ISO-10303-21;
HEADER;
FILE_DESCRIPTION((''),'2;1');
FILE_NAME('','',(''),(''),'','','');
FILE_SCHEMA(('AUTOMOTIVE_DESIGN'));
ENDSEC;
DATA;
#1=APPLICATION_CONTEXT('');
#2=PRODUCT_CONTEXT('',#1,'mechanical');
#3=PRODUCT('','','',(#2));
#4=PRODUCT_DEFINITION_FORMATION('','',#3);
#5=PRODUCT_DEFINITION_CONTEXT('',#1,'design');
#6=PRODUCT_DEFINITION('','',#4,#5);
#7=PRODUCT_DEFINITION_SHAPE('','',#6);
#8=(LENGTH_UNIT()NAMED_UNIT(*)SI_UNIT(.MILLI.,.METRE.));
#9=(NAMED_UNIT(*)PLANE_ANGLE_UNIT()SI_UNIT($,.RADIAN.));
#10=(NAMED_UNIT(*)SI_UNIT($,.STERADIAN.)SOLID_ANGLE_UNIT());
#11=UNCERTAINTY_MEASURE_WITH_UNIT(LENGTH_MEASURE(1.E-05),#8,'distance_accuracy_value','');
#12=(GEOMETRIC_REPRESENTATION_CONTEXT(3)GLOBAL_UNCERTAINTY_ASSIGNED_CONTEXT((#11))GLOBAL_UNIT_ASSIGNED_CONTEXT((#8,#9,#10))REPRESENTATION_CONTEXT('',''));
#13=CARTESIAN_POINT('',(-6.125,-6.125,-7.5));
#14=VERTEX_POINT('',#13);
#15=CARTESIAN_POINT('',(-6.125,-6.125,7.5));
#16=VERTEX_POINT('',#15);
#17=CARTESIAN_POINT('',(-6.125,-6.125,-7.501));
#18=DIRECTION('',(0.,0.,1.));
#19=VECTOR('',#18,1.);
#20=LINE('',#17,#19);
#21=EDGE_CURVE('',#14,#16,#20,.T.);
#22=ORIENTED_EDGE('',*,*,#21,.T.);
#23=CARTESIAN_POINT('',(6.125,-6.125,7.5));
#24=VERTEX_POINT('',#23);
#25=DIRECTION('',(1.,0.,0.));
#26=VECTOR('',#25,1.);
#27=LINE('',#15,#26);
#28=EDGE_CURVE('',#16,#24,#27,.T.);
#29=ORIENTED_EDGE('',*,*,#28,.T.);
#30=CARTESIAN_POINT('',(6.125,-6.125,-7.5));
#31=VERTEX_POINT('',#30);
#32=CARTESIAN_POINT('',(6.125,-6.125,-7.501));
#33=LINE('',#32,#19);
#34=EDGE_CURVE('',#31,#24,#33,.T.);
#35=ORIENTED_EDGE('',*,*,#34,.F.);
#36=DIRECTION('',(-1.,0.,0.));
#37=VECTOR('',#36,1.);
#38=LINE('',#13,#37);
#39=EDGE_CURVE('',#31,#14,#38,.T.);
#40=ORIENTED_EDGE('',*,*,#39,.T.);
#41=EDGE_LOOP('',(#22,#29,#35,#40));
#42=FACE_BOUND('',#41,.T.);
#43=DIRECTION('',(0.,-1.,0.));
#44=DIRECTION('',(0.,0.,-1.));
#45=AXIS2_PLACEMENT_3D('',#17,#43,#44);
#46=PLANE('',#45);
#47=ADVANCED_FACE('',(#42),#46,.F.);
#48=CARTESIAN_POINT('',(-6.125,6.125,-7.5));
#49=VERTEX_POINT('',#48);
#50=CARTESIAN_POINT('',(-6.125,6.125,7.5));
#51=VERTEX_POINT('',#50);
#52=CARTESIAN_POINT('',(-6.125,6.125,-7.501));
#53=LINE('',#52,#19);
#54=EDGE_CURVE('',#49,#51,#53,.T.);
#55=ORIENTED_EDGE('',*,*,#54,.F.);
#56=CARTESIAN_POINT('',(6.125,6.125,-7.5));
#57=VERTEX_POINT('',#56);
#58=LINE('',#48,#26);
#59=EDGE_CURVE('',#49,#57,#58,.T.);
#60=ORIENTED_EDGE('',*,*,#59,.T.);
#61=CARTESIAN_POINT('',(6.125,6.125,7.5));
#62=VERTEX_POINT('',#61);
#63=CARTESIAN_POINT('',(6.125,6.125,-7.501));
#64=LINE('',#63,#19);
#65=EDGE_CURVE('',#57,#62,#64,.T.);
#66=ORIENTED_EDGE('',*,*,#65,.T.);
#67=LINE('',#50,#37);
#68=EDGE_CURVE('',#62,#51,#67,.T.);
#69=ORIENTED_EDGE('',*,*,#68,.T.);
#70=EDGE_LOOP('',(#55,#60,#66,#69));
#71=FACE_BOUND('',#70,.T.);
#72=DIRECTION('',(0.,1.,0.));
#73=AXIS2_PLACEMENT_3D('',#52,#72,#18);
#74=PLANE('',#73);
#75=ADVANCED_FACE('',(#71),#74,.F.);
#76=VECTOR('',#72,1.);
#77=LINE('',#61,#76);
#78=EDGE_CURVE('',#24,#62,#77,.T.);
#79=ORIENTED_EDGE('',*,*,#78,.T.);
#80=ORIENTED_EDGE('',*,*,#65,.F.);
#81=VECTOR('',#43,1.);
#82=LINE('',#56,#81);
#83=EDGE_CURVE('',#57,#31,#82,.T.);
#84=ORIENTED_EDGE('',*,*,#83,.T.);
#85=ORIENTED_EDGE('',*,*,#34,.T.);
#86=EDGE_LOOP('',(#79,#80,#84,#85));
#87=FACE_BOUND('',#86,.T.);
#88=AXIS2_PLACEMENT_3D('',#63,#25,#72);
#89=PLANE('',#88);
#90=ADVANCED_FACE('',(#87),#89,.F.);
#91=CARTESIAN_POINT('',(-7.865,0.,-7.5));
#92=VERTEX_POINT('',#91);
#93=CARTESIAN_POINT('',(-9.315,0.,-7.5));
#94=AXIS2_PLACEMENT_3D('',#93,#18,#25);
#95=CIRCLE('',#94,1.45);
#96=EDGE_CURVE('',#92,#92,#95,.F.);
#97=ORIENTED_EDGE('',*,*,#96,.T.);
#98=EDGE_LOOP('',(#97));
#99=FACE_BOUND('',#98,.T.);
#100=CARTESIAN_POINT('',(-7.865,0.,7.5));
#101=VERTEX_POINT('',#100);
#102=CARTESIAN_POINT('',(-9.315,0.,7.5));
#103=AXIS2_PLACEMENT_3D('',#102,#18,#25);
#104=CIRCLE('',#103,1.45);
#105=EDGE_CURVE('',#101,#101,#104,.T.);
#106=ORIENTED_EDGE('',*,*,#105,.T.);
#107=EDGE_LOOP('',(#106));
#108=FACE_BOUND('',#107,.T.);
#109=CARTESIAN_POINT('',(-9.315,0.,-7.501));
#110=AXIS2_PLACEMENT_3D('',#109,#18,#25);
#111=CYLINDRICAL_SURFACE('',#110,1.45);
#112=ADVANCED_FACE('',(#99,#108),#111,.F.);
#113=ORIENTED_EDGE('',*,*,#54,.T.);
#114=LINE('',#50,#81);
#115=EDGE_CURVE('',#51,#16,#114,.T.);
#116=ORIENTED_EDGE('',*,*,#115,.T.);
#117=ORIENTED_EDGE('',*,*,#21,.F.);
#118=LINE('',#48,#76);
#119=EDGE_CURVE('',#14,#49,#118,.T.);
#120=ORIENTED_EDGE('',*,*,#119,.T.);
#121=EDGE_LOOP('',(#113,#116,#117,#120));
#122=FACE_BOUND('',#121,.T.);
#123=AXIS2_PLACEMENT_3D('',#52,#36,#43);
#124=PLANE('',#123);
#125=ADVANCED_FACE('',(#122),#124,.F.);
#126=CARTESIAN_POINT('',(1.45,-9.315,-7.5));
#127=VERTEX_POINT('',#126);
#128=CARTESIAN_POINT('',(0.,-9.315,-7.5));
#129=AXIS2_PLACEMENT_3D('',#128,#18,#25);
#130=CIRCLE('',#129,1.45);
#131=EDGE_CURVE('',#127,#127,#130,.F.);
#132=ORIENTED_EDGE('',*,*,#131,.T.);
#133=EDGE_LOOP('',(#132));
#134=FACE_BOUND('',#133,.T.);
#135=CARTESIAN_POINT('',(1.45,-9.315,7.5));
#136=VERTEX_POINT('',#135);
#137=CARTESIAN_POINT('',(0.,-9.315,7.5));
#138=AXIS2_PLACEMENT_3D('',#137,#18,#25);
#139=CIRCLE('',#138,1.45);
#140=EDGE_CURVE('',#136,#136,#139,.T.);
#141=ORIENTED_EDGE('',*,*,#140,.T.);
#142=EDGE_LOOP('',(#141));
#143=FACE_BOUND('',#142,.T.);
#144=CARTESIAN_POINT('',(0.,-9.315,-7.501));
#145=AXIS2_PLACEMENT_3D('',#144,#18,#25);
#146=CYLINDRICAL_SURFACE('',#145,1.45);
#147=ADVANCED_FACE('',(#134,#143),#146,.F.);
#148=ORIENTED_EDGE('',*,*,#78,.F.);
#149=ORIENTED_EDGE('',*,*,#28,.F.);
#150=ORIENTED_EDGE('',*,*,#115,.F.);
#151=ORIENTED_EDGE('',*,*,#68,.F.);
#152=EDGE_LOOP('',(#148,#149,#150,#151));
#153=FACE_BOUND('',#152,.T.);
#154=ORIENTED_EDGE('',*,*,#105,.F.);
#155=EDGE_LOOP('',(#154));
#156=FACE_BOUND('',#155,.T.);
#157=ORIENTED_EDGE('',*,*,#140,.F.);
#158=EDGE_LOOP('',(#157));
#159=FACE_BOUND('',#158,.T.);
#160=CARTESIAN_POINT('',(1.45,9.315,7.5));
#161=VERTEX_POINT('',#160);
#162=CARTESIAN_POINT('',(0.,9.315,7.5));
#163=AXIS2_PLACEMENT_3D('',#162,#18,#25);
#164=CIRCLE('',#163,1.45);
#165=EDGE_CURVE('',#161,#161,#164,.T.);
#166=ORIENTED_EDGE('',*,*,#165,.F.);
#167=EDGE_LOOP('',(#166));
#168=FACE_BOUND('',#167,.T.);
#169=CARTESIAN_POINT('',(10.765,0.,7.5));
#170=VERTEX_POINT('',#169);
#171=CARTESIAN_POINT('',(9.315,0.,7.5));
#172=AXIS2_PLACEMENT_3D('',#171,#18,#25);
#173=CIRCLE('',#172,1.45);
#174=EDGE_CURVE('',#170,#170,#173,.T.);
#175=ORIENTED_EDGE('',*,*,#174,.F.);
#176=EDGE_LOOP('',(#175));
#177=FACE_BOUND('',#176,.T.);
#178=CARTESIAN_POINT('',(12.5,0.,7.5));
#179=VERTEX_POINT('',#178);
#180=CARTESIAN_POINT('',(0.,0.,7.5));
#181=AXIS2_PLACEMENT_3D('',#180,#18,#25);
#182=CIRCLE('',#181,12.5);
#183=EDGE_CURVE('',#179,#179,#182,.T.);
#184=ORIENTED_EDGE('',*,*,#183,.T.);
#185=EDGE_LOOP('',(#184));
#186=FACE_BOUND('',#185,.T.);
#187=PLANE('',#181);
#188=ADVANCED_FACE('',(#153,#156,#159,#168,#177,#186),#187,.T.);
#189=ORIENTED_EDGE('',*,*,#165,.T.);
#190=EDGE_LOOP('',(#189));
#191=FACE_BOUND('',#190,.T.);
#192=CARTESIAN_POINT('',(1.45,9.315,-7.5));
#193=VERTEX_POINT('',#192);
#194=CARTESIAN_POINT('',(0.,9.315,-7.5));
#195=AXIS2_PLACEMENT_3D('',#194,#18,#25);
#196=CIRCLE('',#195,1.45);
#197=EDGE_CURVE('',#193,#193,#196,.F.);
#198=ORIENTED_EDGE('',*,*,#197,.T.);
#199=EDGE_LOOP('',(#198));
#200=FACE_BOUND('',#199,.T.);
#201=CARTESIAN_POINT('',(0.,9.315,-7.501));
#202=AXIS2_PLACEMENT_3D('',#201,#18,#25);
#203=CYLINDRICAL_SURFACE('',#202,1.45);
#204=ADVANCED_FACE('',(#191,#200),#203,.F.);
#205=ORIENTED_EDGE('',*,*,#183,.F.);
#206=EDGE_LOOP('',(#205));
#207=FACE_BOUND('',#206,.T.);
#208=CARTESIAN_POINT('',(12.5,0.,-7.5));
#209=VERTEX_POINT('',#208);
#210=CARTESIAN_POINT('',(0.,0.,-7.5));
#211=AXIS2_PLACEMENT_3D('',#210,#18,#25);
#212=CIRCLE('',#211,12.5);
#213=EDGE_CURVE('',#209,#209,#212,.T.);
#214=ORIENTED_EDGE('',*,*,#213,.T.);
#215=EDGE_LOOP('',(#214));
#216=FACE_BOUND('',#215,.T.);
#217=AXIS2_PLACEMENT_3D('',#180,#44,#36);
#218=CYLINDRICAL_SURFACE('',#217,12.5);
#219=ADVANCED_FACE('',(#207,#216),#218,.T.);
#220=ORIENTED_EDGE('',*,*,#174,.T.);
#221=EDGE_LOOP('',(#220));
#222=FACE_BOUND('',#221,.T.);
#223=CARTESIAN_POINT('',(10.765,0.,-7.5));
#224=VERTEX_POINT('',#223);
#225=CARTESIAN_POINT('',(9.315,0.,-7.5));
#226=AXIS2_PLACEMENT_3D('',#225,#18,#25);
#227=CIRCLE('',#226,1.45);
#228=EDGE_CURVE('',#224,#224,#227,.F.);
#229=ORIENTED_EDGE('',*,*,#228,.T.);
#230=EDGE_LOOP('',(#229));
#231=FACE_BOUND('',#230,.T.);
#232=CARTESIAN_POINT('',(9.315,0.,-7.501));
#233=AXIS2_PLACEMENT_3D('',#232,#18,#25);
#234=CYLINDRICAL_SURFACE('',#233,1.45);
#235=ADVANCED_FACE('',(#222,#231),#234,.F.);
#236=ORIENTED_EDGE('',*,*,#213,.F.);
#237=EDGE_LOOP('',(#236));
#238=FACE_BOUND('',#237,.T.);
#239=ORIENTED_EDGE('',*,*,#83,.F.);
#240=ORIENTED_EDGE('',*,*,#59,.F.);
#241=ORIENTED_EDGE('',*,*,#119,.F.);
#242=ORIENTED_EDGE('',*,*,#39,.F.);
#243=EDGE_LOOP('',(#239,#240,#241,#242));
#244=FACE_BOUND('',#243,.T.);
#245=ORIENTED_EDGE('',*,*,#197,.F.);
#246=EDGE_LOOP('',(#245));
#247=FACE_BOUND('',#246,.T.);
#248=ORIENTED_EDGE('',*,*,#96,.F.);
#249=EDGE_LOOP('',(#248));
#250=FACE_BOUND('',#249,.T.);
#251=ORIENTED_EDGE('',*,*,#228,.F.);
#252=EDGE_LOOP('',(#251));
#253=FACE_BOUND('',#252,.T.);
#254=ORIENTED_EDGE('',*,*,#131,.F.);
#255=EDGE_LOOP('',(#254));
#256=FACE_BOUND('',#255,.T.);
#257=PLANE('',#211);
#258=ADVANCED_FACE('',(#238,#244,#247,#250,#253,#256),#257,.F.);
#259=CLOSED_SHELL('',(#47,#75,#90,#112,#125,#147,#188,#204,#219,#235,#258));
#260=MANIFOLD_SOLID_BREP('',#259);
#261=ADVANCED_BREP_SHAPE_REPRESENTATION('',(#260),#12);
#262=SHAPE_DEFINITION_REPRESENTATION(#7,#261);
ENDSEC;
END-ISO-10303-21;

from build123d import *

# Parameters (mm, degrees)
SKETCH1_R           = 12.5
BOSS_EXTRUDE1_DEPTH = 7.5
CUT_EXTRUDE1_REACH  = 25.184
SKETCH8_W           = 12.25
SKETCH8_H           = 12.25
CUT_EXTRUDE4_REACH  = 25.184
SKETCH11_R          = 1.45


with BuildPart() as part:
    # Sketch1 → Boss-Extrude1 (new, symmetric)
    with BuildSketch(Plane.XY):
        Circle(SKETCH1_R)
    extrude(amount=BOSS_EXTRUDE1_DEPTH, both=True)

    # Sketch8 → Cut-Extrude1 (cut, up to next)
    with BuildSketch(Plane.XY.offset(7.5), mode=Mode.PRIVATE) as cut_extrude1_sk1:
        Rectangle(SKETCH8_W, SKETCH8_H)
    cut_extrude1_tool1 = extrude(cut_extrude1_sk1.sketch, amount=-CUT_EXTRUDE1_REACH, mode=Mode.PRIVATE) & part.part
    add(cut_extrude1_tool1.solids().sort_by_distance((0, 0, 7.5))[0], mode=Mode.SUBTRACT)

    # Sketch11 → Cut-Extrude4 (cut, up to next)
    with BuildSketch(Plane.XY.offset(7.5), mode=Mode.PRIVATE) as cut_extrude4_sk1:
        with Locations((9.315, 0)):
            Circle(SKETCH11_R)
    cut_extrude4_tool1 = extrude(cut_extrude4_sk1.sketch, amount=-CUT_EXTRUDE4_REACH, mode=Mode.PRIVATE) & part.part
    # Sketch11 → Cut-Extrude4 (cut, up to next)
    with BuildSketch(Plane.XY.offset(7.5), mode=Mode.PRIVATE) as cut_extrude4_sk2:
        with Locations((0, -9.315)):
            Circle(SKETCH11_R)
    cut_extrude4_tool2 = extrude(cut_extrude4_sk2.sketch, amount=-CUT_EXTRUDE4_REACH, mode=Mode.PRIVATE) & part.part
    # Sketch11 → Cut-Extrude4 (cut, up to next)
    with BuildSketch(Plane.XY.offset(7.5), mode=Mode.PRIVATE) as cut_extrude4_sk3:
        with Locations((-9.315, 0)):
            Circle(SKETCH11_R)
    cut_extrude4_tool3 = extrude(cut_extrude4_sk3.sketch, amount=-CUT_EXTRUDE4_REACH, mode=Mode.PRIVATE) & part.part
    # Sketch11 → Cut-Extrude4 (cut, up to next)
    with BuildSketch(Plane.XY.offset(7.5), mode=Mode.PRIVATE) as cut_extrude4_sk4:
        with Locations((0, 9.315)):
            Circle(SKETCH11_R)
    cut_extrude4_tool4 = extrude(cut_extrude4_sk4.sketch, amount=-CUT_EXTRUDE4_REACH, mode=Mode.PRIVATE) & part.part
    add(cut_extrude4_tool1.solids().sort_by_distance((9.315, 0, 7.5))[0], mode=Mode.SUBTRACT)
    add(cut_extrude4_tool2.solids().sort_by_distance((0, -9.315, 7.5))[0], mode=Mode.SUBTRACT)
    add(cut_extrude4_tool3.solids().sort_by_distance((-9.315, 0, 7.5))[0], mode=Mode.SUBTRACT)
    add(cut_extrude4_tool4.solids().sort_by_distance((0, 9.315, 7.5))[0], mode=Mode.SUBTRACT)


solid = part.part
